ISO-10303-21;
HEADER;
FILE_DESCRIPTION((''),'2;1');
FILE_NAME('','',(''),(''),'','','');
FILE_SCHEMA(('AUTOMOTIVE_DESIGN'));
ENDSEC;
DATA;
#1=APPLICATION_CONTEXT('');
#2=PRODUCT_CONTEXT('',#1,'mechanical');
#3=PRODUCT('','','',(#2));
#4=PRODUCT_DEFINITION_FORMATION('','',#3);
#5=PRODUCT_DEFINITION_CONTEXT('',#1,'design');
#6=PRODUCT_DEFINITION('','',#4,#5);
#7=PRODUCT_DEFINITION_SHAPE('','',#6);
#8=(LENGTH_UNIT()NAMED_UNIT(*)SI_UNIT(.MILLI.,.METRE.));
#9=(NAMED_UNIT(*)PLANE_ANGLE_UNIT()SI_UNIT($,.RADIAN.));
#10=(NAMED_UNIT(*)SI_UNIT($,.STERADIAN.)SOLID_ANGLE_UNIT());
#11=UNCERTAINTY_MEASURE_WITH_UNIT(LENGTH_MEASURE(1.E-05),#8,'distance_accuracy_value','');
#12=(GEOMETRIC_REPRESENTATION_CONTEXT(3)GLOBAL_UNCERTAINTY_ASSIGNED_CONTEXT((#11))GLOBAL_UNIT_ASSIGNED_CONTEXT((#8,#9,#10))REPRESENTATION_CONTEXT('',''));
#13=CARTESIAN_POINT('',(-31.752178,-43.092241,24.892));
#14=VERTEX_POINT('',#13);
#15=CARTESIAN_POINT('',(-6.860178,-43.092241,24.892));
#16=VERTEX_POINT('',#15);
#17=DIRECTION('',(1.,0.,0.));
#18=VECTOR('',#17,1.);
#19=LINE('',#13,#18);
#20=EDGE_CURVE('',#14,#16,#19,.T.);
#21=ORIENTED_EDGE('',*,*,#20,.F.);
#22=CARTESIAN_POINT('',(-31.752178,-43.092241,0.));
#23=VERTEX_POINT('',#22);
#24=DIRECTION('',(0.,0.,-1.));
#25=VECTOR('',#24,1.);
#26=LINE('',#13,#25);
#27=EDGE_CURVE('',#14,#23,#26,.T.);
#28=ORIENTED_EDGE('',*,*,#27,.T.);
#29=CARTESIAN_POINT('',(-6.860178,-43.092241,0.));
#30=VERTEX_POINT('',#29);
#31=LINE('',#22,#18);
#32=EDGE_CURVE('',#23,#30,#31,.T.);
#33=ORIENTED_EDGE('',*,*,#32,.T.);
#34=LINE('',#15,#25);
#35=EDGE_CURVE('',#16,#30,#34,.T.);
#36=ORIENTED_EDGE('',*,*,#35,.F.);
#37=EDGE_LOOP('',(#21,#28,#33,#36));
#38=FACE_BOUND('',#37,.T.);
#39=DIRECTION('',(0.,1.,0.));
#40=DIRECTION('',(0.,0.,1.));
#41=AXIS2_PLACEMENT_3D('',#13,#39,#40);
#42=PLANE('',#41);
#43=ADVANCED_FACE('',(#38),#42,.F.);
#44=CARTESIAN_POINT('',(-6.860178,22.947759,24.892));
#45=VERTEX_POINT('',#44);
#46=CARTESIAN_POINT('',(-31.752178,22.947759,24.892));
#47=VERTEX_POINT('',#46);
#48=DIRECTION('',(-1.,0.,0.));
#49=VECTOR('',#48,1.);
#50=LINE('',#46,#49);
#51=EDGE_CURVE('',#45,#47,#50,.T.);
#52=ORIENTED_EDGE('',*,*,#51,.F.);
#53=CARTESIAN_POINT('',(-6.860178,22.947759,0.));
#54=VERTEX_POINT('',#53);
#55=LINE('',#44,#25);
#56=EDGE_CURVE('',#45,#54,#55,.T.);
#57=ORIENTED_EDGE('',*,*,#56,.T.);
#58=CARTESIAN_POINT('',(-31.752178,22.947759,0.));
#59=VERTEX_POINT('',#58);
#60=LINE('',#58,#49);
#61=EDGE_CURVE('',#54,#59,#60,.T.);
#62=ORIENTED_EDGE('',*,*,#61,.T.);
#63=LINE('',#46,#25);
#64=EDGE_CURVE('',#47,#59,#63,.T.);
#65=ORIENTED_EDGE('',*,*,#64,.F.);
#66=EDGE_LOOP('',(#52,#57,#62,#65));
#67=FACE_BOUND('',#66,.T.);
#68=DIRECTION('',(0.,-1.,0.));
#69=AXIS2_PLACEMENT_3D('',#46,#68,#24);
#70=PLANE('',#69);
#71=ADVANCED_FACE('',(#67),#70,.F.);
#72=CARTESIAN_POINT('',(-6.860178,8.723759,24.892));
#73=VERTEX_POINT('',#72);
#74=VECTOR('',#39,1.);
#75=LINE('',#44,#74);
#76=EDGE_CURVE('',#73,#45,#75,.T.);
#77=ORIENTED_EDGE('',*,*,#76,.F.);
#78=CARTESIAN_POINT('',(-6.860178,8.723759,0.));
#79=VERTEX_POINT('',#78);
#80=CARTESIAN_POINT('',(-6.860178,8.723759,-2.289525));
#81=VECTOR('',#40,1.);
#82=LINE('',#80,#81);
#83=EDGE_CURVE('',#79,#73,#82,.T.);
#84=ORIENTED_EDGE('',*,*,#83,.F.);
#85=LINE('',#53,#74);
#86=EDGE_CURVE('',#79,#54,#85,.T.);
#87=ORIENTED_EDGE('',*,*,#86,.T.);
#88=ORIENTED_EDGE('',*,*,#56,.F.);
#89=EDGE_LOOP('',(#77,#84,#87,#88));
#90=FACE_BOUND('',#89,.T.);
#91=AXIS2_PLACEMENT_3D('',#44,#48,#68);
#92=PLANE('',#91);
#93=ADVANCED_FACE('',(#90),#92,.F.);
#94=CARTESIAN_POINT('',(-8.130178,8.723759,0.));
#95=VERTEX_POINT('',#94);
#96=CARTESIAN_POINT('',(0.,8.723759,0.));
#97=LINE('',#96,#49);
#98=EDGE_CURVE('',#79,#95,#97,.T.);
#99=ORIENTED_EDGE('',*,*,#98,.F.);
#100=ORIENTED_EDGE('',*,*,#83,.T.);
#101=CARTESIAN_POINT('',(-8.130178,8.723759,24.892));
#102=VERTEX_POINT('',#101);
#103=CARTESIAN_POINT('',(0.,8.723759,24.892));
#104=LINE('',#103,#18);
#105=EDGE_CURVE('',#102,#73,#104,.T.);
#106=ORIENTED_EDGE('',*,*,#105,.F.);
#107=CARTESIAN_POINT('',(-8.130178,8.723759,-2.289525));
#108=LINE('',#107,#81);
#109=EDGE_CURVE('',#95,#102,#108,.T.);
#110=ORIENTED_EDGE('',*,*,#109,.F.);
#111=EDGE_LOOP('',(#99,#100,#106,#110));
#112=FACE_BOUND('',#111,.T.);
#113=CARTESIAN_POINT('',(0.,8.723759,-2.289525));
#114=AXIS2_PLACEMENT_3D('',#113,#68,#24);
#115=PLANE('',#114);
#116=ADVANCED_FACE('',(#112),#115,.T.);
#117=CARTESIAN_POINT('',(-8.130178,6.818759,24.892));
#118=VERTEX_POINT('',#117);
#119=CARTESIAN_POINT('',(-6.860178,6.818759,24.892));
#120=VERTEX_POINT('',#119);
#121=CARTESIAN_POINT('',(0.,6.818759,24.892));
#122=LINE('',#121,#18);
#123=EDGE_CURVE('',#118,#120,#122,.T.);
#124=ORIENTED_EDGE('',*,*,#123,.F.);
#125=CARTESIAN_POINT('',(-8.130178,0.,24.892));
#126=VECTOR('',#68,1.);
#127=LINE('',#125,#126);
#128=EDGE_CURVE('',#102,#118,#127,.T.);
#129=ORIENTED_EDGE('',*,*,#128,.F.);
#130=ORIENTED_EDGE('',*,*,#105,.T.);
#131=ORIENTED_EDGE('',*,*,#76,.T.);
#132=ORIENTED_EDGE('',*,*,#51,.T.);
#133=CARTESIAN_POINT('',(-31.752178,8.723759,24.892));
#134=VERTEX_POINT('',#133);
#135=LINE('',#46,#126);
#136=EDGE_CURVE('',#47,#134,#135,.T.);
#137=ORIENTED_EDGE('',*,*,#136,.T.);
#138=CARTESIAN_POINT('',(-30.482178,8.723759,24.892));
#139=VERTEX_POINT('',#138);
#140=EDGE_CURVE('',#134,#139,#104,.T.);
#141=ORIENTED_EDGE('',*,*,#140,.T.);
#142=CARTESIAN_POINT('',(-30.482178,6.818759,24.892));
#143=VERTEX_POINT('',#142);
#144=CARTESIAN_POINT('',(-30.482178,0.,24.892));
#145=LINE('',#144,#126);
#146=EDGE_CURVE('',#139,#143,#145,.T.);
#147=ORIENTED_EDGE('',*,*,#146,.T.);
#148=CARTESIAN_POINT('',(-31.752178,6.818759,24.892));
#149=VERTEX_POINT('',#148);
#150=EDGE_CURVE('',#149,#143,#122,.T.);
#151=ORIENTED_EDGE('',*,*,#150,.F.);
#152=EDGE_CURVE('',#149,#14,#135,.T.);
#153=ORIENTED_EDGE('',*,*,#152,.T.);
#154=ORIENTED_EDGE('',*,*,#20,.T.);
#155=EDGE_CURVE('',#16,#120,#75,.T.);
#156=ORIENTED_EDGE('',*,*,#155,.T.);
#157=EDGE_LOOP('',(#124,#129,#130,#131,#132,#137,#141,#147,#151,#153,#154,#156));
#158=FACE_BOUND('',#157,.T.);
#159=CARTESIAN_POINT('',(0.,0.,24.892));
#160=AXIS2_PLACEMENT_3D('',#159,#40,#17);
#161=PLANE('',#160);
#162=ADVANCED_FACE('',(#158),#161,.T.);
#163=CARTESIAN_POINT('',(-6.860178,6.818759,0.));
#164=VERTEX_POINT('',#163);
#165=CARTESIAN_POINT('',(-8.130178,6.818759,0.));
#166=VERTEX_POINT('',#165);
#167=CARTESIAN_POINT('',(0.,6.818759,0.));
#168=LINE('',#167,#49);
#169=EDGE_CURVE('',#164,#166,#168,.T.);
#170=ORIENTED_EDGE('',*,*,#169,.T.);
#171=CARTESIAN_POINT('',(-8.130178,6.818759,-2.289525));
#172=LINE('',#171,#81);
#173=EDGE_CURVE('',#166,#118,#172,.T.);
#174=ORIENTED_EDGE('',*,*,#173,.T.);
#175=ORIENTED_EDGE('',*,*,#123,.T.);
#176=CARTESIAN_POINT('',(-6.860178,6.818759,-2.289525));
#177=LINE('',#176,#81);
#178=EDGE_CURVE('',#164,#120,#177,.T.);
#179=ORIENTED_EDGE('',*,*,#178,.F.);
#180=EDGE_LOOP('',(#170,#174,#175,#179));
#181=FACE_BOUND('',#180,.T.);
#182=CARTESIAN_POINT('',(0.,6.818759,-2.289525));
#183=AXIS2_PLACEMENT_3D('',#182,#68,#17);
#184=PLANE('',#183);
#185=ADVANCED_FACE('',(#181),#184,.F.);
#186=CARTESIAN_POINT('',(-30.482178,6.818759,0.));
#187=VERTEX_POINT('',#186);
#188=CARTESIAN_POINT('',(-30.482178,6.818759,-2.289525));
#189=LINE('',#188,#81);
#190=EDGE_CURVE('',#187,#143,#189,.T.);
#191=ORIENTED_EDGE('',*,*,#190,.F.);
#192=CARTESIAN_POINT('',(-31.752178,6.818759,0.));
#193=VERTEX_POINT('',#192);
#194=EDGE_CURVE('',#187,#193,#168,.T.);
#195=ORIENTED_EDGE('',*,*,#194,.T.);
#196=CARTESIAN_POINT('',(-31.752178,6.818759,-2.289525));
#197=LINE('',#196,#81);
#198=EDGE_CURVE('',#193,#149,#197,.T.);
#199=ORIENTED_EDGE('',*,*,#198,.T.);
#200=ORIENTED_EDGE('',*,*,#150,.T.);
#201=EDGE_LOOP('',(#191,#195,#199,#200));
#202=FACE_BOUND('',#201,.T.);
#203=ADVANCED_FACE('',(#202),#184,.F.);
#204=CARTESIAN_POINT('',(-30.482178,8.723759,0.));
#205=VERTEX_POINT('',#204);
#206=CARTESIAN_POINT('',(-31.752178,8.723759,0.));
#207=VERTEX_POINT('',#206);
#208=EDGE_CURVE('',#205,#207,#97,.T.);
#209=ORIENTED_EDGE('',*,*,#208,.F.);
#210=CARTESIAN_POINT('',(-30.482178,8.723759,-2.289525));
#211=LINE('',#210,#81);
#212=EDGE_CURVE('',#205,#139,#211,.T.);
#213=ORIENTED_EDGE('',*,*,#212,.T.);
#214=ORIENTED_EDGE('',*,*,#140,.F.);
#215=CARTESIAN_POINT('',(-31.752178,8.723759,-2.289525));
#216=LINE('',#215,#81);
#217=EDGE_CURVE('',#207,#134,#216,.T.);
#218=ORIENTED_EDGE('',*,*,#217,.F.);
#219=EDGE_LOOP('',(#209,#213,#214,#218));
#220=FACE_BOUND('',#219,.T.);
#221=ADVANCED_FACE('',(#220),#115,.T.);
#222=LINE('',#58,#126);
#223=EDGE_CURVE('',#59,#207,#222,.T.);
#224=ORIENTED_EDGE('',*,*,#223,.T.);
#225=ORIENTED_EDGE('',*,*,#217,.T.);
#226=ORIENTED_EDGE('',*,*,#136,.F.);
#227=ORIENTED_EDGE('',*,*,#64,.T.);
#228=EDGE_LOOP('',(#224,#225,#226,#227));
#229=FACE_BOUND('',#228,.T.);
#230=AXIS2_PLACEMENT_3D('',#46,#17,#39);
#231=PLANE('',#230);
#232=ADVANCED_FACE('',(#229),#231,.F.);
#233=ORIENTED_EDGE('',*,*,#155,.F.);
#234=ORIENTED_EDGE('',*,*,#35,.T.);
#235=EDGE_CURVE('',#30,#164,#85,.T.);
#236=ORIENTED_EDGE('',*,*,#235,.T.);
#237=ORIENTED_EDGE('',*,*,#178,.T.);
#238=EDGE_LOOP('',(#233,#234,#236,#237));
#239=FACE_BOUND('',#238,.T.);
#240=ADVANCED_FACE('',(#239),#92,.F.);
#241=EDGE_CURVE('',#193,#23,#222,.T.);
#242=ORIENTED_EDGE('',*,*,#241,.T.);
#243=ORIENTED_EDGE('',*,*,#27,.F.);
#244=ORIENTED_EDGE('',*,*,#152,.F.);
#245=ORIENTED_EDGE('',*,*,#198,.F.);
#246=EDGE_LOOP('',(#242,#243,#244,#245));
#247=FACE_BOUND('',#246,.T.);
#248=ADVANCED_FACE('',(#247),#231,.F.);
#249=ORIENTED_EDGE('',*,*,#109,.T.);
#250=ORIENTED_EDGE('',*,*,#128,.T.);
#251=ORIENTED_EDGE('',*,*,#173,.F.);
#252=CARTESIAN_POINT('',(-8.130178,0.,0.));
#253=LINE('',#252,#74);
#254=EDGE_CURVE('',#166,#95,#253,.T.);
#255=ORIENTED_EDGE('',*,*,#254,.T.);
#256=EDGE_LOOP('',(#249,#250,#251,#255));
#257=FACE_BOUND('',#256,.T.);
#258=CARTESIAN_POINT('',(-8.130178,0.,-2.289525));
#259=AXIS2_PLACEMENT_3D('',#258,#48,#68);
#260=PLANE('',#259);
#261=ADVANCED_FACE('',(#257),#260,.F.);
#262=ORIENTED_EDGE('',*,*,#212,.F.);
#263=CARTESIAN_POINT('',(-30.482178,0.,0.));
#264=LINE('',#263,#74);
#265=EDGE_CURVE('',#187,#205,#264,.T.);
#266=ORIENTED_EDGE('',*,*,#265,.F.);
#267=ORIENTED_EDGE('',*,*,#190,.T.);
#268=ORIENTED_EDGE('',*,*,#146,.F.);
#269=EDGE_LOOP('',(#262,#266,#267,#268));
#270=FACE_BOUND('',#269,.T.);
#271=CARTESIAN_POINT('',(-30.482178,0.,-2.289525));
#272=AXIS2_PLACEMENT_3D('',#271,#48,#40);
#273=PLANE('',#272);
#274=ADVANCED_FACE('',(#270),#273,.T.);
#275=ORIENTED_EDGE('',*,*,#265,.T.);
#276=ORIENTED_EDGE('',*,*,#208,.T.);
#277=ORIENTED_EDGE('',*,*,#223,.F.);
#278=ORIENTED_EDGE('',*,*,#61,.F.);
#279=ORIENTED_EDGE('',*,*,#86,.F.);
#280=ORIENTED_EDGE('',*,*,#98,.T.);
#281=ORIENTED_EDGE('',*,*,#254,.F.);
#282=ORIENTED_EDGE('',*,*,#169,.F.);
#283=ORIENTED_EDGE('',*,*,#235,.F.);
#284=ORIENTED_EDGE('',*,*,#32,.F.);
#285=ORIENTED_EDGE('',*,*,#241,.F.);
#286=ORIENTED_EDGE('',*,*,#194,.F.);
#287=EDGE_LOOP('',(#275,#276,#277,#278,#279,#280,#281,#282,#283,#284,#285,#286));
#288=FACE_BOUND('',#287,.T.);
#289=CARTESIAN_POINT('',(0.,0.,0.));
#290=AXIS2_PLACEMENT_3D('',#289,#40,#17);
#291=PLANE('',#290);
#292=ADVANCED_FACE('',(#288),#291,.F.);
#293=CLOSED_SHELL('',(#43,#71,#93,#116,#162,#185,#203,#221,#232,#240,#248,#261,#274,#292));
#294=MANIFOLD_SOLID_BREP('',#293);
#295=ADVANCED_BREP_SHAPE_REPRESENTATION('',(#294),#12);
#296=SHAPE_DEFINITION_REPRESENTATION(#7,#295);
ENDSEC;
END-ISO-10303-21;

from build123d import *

# Parameters (mm, degrees)
SKETCH1_W           = 24.892
SKETCH1_H           = 66.04
BOSS_EXTRUDE1_DEPTH = 24.892
SKETCH2_W           = 1.27
SKETCH2_H           = 1.905
CUT_EXTRUDE1_DEPTH  = 24.892


with BuildPart() as part:
    # Sketch1 → Boss-Extrude1 (new body)
    with BuildSketch(Plane.XY):
        with Locations((-19.30617793, -10.072241476)):
            Rectangle(SKETCH1_W, SKETCH1_H)
    extrude(amount=BOSS_EXTRUDE1_DEPTH)

    # Sketch2 → Cut-Extrude1 (cut)
    with BuildSketch(Plane.XY.offset(24.892)):
        with Locations((-31.11717793, 7.771258524)):
            Rectangle(SKETCH2_W, SKETCH2_H)
        with Locations((-7.49517793, 7.771258524)):
            Rectangle(SKETCH2_W, SKETCH2_H)
    extrude(amount=-CUT_EXTRUDE1_DEPTH, mode=Mode.SUBTRACT)


solid = part.part
